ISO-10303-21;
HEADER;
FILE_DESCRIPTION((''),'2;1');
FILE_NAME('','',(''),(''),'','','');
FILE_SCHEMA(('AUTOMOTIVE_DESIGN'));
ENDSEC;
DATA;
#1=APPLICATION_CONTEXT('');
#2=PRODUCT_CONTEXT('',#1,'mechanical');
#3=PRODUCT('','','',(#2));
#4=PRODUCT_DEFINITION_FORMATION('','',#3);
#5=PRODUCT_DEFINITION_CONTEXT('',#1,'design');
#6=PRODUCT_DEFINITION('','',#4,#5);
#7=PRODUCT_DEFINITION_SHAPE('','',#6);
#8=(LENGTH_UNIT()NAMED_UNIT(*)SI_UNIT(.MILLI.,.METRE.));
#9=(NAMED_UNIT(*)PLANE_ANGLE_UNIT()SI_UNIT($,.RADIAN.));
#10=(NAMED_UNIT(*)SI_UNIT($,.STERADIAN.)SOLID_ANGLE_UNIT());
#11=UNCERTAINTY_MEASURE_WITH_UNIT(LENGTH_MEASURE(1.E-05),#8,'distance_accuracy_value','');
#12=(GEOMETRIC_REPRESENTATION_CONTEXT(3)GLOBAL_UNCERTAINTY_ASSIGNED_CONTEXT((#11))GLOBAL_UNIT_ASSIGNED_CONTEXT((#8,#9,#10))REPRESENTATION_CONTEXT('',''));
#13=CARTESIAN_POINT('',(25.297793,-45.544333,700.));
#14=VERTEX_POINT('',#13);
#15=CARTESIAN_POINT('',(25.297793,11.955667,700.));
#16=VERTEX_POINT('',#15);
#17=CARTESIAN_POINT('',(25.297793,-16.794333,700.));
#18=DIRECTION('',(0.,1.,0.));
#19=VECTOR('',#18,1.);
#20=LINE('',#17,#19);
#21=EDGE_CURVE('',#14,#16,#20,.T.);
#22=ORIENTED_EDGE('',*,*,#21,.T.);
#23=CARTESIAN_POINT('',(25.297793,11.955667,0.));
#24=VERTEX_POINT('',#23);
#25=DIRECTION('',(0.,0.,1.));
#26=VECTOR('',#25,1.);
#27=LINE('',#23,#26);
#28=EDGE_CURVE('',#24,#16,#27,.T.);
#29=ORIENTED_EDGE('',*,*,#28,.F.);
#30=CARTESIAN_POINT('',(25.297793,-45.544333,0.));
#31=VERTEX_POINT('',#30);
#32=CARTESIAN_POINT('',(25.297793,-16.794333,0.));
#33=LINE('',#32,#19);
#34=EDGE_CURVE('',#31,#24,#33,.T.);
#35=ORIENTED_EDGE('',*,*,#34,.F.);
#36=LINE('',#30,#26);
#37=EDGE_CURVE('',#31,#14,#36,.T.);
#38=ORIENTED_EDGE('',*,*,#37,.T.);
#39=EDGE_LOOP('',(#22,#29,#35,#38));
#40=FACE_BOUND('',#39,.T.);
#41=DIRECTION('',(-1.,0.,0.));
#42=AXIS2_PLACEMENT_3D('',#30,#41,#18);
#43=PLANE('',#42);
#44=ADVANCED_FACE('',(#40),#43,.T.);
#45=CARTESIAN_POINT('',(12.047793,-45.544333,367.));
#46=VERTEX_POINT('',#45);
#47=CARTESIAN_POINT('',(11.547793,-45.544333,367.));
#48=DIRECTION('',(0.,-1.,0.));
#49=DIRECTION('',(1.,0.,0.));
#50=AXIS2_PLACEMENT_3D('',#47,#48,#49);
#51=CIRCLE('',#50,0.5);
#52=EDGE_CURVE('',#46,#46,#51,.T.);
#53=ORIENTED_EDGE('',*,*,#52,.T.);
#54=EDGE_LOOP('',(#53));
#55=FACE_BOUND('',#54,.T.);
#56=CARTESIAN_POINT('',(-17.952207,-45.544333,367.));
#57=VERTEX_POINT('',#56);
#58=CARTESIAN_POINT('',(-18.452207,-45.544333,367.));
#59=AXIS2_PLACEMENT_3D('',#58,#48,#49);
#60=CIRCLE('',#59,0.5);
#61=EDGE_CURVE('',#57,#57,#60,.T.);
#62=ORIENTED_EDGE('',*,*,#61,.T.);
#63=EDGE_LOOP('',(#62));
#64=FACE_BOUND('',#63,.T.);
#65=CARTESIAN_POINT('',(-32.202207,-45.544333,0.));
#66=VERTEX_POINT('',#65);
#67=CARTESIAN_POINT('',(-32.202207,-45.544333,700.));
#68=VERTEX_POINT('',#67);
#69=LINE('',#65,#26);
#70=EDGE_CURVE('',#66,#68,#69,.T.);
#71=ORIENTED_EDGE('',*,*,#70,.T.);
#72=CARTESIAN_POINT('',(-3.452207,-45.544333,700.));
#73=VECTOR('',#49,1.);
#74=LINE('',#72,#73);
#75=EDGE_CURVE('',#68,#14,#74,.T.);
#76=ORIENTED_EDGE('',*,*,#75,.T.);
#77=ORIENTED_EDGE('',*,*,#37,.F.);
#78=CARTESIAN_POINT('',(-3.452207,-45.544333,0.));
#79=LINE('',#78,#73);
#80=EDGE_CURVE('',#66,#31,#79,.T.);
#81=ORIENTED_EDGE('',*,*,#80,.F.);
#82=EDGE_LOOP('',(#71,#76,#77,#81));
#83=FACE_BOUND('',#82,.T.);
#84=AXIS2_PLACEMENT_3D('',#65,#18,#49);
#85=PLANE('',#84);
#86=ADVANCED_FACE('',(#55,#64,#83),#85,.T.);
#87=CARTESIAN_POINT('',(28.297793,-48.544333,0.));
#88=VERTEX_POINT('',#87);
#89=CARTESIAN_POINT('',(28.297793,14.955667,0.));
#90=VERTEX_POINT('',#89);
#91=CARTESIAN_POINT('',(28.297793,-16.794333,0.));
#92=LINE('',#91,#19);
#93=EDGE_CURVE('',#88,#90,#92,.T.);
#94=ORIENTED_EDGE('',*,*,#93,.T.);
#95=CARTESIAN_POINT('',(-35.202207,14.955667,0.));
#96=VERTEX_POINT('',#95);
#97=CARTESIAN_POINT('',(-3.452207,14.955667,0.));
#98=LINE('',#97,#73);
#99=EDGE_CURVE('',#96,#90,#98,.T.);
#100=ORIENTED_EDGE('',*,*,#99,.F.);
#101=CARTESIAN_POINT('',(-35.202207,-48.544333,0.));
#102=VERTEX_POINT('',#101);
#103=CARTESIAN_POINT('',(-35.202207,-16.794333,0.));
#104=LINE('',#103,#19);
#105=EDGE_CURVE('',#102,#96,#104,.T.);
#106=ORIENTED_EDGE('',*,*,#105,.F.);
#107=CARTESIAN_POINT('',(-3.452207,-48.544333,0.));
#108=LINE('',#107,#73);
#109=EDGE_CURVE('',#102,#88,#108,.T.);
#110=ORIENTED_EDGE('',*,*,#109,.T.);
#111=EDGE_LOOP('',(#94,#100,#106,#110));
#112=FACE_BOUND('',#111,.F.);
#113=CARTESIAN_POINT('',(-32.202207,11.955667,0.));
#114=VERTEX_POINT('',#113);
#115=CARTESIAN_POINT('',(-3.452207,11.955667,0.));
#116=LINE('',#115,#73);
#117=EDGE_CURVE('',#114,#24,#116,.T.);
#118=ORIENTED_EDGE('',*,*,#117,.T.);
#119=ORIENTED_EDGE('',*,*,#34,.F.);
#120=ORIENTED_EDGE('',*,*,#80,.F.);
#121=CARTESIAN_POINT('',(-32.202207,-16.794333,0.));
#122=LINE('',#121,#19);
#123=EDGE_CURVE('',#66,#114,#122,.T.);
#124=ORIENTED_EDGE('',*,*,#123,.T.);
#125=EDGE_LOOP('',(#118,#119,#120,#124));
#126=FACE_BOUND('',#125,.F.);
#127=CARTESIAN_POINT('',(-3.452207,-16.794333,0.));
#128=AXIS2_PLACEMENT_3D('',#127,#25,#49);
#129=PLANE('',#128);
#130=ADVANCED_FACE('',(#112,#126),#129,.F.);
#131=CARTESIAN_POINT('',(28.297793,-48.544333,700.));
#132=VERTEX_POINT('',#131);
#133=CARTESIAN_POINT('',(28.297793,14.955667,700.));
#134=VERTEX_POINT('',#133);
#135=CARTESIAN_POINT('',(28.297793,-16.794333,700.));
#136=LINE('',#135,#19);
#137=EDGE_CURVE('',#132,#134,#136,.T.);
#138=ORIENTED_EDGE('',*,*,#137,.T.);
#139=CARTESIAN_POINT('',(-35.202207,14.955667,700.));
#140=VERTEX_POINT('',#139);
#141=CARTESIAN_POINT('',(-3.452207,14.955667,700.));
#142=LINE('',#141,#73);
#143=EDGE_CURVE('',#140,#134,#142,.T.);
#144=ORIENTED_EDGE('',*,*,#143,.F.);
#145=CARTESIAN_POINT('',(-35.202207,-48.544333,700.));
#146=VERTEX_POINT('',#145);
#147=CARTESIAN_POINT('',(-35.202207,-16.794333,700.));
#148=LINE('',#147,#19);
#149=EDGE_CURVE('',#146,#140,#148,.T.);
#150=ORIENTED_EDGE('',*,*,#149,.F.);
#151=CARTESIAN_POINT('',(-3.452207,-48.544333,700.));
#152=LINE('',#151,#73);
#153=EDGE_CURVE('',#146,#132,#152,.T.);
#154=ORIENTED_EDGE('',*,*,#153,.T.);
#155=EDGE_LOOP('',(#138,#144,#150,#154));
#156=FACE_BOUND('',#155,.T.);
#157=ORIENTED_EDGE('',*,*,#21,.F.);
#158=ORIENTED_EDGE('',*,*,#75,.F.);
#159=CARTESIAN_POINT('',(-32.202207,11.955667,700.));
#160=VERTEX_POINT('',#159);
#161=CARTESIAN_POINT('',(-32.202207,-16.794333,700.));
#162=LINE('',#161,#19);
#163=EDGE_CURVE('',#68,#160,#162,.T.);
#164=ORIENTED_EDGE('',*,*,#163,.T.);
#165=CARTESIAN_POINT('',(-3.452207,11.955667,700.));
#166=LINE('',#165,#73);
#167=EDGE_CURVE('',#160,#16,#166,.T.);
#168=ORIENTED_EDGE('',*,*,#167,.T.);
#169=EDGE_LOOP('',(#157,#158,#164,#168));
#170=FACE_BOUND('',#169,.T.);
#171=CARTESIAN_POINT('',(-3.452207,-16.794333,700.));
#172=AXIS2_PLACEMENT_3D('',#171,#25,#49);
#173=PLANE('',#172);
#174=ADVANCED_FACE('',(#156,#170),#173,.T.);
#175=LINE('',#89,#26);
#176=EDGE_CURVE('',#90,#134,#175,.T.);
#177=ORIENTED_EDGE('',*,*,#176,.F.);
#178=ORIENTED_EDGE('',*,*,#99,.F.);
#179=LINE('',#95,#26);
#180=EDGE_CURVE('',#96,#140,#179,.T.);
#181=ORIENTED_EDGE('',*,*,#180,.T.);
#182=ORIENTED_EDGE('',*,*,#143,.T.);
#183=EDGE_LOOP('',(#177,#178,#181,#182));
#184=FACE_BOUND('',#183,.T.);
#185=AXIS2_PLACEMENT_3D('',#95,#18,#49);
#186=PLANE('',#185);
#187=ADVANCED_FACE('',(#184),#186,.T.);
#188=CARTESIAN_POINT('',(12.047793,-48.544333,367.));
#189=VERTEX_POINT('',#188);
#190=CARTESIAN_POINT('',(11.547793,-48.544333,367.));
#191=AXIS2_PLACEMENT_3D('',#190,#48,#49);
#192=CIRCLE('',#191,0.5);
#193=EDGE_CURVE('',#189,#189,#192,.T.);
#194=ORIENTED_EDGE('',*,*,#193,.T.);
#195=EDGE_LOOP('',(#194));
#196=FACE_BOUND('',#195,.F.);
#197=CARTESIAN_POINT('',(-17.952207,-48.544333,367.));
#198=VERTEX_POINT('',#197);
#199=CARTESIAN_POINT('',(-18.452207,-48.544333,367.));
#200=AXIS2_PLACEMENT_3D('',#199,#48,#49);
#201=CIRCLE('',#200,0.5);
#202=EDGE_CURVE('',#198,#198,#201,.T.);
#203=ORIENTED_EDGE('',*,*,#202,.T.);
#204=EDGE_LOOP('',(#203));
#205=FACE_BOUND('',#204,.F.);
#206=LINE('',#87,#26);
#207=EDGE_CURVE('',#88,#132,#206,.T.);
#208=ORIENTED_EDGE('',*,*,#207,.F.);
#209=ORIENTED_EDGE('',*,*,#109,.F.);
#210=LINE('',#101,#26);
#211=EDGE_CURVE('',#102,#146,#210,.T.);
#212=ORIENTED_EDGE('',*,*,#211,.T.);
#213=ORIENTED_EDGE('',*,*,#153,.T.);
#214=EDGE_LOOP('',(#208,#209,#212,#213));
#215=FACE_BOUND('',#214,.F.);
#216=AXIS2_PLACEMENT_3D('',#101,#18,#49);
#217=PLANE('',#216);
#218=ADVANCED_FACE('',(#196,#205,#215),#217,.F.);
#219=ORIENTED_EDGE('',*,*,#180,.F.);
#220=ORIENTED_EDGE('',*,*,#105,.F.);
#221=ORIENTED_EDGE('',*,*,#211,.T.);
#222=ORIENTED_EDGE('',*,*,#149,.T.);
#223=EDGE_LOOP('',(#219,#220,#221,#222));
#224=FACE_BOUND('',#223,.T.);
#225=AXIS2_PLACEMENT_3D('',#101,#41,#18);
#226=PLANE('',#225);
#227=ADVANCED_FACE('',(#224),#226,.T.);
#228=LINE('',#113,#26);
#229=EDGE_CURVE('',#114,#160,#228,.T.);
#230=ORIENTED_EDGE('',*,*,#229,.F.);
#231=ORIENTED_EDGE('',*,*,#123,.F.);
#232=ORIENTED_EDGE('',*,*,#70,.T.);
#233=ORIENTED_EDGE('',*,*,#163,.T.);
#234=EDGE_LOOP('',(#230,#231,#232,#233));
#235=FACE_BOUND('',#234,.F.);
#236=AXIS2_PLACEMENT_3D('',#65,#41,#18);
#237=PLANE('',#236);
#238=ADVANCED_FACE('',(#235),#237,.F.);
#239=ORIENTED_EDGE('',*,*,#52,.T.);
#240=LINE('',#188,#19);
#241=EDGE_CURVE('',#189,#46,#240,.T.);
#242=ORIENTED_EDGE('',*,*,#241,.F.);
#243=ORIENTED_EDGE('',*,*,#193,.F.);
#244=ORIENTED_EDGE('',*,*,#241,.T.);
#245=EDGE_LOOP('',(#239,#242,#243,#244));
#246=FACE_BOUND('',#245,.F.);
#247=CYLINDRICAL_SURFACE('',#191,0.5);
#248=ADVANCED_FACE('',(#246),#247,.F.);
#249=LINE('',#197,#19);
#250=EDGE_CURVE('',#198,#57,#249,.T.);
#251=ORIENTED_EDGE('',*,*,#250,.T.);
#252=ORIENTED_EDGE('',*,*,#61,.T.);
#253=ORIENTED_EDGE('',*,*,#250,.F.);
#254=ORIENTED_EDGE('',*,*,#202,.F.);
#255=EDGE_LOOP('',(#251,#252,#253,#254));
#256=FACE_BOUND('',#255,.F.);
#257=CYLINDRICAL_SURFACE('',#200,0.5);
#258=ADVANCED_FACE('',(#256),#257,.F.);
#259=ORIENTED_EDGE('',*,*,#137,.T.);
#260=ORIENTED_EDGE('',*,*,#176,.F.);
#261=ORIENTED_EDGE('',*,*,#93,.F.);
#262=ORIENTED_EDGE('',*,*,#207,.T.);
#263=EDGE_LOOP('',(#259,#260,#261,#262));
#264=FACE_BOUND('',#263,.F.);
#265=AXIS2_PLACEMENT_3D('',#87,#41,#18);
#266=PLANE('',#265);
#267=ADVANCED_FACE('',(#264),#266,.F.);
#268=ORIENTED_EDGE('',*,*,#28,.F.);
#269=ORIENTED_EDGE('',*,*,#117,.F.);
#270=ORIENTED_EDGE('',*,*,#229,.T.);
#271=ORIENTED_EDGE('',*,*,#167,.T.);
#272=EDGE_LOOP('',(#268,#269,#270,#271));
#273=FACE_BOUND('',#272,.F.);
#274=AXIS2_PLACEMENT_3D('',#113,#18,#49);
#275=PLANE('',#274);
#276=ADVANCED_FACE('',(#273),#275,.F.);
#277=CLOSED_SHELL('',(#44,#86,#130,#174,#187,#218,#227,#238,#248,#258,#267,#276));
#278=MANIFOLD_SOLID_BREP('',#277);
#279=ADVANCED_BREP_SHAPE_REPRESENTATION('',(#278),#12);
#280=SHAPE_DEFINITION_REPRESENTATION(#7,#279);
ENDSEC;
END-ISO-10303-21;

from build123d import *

# Parameters (mm, degrees)
F0_W     = 63.5
F0_H     = 63.5
F0_W_2   = 57.5
F0_H_2   = 57.5
F1_DEPTH = 700
F2_R     = 0.5
F3_DEPTH = 3


with BuildPart() as f1:
    # F0 (on Top) → F1 (new body)
    with BuildSketch(Plane.XY):
        with Locations((-3.452207, -16.794333)):
            Rectangle(F0_W, F0_H)
        with Locations((-3.452207, -16.794333)):
            Rectangle(F0_W_2, F0_H_2, mode=Mode.SUBTRACT)
    extrude(amount=F1_DEPTH)

    # F2 (on face) → F3 (cut)
    with BuildSketch(Plane.XZ.offset(48.544333)):
        with Locations((-18.452207, 367)):
            Circle(F2_R)
        with Locations((11.547793, 367)):
            Circle(F2_R)
    extrude(amount=-F3_DEPTH, mode=Mode.SUBTRACT)


solid = f1.part
